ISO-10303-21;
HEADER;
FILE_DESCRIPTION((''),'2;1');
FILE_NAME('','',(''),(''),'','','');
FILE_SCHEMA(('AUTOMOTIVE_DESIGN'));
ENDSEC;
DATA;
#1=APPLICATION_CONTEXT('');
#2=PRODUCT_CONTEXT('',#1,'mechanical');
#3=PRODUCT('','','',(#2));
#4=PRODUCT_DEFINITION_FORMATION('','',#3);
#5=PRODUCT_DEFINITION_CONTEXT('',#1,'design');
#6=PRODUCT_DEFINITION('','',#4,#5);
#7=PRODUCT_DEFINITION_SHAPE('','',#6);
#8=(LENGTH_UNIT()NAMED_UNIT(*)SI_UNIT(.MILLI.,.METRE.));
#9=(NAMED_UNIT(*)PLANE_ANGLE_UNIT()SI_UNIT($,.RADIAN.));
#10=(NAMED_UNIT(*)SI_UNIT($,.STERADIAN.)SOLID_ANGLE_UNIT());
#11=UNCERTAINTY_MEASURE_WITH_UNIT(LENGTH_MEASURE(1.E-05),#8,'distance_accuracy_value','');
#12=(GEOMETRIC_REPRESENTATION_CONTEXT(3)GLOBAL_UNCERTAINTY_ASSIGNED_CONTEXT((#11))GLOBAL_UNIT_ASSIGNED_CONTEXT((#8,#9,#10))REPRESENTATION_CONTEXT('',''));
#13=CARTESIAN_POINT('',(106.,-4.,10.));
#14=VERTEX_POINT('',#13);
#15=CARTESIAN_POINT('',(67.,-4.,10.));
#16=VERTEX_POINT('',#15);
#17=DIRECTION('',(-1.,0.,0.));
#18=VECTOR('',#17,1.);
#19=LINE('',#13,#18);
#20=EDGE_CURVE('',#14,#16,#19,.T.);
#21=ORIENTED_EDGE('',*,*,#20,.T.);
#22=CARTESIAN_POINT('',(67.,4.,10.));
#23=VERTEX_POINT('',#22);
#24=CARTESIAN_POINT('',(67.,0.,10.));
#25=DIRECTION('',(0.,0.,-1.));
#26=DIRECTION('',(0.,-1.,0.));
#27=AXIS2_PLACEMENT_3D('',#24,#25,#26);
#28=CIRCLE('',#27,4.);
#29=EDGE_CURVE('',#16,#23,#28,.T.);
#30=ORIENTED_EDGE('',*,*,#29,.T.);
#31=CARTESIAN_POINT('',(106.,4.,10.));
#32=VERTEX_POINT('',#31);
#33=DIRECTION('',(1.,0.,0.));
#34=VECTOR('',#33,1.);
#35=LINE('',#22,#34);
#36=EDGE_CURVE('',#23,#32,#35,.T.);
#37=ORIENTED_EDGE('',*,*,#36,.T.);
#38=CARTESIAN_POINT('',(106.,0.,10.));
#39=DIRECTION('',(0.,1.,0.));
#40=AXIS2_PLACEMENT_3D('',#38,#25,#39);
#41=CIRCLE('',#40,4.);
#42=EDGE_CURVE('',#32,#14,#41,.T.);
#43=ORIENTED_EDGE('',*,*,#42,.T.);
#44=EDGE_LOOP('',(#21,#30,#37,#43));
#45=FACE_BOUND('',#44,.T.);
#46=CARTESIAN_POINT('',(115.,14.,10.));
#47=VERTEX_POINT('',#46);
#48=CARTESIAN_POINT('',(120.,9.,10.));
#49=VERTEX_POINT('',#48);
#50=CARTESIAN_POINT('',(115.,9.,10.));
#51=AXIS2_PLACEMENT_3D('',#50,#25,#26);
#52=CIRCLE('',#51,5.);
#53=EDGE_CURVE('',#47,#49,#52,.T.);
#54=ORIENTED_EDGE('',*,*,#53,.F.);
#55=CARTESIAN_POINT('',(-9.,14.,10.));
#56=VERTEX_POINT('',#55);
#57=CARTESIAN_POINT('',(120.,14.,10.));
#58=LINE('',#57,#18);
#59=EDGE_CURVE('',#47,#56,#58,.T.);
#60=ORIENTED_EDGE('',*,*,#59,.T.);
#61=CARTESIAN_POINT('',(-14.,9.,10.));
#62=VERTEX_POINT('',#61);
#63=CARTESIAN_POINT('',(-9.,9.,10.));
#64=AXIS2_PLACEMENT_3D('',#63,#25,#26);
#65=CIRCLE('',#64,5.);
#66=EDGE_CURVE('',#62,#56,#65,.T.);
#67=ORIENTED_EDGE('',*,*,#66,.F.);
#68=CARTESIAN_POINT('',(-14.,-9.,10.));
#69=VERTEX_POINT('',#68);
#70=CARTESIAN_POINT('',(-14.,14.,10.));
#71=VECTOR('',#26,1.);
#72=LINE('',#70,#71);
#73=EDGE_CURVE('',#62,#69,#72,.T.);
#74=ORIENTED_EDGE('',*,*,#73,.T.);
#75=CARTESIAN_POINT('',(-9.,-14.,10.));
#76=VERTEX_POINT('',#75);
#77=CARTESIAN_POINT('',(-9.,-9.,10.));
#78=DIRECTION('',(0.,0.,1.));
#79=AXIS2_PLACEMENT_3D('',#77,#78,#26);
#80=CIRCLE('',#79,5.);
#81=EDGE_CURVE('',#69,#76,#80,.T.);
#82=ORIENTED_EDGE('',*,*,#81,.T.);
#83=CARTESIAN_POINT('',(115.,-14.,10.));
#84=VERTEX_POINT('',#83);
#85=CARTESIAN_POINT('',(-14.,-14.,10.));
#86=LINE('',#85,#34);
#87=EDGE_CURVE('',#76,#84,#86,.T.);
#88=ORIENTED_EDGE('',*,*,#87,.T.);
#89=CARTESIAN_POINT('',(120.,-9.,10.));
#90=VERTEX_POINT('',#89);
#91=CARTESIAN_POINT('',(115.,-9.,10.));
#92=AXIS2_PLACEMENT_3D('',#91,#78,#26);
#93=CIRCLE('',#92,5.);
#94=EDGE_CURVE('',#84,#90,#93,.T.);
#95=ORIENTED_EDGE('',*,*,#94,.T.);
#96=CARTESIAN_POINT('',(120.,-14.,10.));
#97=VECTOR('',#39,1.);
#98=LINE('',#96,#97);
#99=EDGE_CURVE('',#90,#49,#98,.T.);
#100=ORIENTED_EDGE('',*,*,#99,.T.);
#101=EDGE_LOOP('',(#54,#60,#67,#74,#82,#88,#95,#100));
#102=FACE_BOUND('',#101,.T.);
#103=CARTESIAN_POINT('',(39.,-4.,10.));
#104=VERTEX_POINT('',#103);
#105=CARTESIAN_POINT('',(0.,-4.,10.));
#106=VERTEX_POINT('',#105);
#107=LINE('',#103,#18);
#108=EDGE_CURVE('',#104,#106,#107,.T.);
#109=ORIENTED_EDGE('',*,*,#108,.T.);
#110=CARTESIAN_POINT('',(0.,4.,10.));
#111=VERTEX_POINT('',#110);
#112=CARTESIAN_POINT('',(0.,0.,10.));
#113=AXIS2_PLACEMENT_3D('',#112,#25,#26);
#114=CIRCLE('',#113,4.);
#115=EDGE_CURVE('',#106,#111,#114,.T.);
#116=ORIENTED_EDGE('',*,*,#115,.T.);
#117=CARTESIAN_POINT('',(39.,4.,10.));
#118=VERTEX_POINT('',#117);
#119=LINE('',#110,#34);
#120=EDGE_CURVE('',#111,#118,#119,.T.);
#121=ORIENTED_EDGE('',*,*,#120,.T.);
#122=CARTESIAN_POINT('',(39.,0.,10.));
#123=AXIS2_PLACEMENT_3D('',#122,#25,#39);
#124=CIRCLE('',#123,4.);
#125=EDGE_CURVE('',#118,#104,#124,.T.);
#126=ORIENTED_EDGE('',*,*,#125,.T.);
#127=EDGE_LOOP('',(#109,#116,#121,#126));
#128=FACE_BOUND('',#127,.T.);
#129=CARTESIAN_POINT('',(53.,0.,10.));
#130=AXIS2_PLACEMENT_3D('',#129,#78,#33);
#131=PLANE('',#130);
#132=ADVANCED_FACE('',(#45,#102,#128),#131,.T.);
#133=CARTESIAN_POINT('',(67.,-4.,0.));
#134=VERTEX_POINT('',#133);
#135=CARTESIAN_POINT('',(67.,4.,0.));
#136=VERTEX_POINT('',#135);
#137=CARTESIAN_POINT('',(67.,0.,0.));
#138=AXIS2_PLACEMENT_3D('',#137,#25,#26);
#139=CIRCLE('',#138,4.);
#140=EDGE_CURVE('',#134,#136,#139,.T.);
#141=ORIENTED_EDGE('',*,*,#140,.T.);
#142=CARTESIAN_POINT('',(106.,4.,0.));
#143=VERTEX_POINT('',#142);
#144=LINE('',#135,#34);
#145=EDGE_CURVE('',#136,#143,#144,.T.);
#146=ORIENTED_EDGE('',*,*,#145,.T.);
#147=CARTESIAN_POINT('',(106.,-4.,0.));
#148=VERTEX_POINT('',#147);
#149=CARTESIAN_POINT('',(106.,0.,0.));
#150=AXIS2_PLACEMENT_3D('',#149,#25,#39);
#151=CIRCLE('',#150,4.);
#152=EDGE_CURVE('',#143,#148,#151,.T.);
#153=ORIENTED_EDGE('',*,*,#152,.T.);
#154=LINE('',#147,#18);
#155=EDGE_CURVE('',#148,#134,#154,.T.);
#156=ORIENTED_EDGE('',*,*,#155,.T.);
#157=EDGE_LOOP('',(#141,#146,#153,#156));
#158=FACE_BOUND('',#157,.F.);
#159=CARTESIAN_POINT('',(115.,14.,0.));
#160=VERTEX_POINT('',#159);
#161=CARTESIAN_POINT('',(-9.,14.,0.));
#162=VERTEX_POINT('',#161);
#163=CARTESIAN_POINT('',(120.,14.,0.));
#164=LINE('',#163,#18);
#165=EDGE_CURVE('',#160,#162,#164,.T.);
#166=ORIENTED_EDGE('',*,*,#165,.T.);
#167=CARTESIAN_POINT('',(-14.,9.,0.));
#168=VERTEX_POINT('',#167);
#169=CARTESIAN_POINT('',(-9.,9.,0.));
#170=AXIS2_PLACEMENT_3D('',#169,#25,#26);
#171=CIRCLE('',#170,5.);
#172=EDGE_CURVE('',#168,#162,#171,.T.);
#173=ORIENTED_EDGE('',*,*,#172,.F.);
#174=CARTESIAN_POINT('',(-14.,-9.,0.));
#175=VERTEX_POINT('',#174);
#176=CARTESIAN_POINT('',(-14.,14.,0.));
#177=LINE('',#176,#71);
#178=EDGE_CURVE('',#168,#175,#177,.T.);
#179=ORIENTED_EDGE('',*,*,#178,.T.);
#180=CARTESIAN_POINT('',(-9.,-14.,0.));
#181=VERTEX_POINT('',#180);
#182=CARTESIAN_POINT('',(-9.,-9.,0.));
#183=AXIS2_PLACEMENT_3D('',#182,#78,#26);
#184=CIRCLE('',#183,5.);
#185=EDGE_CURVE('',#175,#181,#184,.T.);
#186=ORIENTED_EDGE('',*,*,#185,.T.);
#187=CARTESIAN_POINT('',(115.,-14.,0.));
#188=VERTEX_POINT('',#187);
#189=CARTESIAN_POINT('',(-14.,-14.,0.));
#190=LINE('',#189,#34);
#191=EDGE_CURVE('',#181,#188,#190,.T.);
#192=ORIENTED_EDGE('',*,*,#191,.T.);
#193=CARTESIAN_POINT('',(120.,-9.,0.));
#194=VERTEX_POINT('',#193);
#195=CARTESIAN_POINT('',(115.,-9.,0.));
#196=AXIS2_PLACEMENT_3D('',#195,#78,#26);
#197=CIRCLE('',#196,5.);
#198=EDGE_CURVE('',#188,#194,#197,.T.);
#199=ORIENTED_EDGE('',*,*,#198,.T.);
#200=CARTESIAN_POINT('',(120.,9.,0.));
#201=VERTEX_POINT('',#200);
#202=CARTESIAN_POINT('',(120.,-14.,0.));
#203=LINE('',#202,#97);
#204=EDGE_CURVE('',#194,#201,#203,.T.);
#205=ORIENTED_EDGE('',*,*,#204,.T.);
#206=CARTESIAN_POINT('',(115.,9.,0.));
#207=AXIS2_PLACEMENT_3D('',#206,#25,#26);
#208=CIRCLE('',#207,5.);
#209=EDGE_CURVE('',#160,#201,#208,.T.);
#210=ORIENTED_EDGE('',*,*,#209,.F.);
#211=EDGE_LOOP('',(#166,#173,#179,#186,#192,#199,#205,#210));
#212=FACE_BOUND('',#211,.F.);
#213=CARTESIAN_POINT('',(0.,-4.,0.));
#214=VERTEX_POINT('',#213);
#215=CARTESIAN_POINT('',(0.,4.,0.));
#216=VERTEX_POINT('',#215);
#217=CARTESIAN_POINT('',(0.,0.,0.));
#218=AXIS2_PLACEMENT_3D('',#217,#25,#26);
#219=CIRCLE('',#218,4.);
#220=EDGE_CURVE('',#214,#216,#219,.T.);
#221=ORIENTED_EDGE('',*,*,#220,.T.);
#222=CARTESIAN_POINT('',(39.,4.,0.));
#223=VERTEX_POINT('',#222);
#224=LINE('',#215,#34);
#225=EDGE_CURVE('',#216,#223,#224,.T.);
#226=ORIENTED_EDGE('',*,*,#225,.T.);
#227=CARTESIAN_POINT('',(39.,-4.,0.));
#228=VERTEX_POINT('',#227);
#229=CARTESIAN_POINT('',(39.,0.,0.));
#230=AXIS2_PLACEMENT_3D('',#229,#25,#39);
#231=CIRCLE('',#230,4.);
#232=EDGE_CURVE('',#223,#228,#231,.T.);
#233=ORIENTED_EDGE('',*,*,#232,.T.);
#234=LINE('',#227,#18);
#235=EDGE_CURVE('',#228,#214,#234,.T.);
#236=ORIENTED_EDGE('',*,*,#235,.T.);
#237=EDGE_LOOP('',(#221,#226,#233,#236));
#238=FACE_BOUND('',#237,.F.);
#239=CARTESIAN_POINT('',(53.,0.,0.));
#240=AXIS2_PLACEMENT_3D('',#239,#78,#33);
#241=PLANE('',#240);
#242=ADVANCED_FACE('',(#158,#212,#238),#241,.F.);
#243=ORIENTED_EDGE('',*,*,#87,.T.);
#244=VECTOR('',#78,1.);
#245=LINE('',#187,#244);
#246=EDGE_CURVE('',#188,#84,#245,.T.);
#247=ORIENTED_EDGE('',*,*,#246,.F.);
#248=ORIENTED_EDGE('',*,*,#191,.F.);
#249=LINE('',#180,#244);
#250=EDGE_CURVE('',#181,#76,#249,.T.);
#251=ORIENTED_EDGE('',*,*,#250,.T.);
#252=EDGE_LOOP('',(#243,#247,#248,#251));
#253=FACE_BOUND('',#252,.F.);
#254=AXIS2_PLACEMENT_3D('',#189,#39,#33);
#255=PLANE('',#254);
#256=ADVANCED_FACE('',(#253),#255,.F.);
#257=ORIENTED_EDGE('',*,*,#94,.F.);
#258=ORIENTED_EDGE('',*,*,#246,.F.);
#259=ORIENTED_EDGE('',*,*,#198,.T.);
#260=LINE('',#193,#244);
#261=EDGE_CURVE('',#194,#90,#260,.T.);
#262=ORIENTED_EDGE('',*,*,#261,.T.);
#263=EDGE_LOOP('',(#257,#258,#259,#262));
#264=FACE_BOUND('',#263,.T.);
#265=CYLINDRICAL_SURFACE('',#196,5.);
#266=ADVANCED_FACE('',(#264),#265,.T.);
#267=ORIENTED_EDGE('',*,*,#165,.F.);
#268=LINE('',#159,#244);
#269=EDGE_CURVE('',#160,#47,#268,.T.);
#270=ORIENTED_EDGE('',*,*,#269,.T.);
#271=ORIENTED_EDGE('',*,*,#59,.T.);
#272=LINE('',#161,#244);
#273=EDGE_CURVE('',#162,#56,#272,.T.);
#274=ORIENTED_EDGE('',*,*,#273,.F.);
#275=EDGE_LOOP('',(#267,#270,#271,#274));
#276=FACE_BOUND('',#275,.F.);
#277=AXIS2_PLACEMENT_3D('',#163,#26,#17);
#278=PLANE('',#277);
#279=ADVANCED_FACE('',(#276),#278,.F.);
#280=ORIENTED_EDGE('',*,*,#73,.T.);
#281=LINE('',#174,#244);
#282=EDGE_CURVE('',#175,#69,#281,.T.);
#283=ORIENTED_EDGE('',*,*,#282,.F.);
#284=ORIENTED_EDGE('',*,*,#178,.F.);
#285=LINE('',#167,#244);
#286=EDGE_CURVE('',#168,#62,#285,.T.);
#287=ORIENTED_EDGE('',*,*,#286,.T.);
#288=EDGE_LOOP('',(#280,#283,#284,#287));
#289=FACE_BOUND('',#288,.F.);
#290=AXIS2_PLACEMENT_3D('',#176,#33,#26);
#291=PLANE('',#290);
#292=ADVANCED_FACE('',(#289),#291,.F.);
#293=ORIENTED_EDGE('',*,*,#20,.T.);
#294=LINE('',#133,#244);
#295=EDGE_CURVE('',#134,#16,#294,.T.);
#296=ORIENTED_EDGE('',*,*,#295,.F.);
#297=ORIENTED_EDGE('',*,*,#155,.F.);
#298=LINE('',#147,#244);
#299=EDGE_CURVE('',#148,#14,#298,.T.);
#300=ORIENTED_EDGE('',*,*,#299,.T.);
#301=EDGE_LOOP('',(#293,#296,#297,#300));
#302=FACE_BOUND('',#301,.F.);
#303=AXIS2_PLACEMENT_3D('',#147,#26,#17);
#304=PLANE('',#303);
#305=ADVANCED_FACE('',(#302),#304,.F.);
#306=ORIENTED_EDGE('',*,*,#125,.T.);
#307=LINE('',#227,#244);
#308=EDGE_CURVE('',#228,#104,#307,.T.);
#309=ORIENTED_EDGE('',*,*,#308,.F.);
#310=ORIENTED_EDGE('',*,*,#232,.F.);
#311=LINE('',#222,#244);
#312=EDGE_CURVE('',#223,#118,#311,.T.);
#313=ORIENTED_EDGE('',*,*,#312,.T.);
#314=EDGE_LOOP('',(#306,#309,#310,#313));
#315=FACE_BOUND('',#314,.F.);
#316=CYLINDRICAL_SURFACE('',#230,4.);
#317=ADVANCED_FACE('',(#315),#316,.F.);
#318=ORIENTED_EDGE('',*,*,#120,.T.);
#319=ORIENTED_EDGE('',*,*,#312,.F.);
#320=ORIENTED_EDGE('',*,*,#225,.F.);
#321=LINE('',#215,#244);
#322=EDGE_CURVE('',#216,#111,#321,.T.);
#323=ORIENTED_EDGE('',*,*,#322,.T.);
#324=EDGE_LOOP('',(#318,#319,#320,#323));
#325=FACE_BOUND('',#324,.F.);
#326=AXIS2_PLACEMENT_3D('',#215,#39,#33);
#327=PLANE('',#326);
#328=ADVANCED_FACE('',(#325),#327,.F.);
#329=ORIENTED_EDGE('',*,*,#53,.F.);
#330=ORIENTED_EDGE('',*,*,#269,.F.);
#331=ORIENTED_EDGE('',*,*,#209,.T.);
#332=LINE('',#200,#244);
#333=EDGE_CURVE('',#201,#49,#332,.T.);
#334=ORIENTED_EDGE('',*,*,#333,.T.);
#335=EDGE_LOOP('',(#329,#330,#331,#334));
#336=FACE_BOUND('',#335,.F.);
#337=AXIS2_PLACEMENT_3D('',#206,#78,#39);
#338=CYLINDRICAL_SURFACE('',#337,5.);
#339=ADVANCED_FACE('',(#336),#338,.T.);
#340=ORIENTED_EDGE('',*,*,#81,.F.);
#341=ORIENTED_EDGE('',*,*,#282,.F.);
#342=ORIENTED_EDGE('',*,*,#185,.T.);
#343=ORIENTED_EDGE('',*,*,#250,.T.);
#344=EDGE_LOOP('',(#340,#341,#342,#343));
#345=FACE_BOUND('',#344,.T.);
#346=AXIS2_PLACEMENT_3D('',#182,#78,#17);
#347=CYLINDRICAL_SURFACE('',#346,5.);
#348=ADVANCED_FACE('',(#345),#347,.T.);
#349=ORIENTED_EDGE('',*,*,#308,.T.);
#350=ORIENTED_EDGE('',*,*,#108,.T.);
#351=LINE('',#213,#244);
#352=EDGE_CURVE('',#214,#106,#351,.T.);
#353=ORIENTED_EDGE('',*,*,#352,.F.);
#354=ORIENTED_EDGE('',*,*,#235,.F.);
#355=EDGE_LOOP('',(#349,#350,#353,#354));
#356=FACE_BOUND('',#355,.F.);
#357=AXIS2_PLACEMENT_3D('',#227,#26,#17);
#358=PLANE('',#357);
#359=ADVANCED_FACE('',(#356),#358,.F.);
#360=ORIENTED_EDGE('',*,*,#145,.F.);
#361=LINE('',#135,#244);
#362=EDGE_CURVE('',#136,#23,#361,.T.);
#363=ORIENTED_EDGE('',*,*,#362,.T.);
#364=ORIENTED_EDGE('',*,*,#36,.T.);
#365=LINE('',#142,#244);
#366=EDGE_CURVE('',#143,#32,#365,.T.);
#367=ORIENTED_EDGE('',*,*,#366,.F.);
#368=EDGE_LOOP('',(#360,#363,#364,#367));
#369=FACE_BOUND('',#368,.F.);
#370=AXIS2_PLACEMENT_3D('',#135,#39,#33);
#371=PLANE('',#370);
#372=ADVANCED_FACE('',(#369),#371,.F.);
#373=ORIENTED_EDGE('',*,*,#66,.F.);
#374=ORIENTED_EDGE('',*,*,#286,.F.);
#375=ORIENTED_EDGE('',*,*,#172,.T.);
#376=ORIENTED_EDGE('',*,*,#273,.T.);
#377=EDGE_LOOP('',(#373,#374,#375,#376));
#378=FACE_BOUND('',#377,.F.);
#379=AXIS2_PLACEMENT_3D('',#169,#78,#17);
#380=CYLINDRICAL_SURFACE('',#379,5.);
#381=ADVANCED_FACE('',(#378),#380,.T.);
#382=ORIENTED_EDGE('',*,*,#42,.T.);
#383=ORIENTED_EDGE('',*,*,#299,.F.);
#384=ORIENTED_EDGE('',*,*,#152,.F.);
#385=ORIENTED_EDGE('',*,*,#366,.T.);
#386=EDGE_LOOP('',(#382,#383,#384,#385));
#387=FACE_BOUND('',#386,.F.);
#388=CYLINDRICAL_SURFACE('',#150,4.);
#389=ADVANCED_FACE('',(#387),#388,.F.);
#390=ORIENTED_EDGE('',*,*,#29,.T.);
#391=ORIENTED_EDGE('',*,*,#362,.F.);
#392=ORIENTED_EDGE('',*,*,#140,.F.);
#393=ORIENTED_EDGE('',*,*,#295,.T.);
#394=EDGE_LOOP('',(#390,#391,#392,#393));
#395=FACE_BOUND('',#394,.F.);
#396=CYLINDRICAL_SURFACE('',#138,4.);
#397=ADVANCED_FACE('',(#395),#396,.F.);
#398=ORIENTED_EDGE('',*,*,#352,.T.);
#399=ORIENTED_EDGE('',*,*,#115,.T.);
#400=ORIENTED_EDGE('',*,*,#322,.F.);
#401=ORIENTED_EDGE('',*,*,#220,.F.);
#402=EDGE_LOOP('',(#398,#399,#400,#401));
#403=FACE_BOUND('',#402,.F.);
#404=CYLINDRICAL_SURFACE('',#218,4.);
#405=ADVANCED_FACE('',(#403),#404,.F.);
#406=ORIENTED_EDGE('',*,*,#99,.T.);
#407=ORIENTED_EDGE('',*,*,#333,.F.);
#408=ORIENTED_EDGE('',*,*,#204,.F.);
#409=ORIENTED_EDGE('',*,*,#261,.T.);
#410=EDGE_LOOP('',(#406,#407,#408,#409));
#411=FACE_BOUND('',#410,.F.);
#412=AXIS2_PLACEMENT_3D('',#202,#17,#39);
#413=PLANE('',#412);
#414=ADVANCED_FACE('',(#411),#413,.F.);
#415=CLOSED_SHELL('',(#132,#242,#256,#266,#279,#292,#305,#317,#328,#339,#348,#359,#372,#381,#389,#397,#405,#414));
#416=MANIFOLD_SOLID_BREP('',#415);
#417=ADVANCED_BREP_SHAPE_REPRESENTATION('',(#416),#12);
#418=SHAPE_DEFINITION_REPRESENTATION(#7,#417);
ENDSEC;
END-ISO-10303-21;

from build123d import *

# Parameters (mm, degrees)
F1_DEPTH = 10
F2_R     = 5


with BuildPart() as f1:
    # F0 (on Top) → F1 (new body)
    with BuildSketch(Plane.XY):
        Polygon((53, 14), (-14, 14), (-14, -14), (53, -14), (120, -14), (120, 14), align=None)
        with BuildLine():
            ThreePointArc((0, -4), (-4, 0), (0, 4))
            Line((0, 4), (39, 4))
            ThreePointArc((39, 4), (43, 0), (39, -4))
            Line((39, -4), (0, -4))
        make_face(mode=Mode.SUBTRACT)
        with BuildLine():
            Line((67, 4), (106, 4))
            ThreePointArc((106, 4), (110, 0), (106, -4))
            Line((106, -4), (67, -4))
            ThreePointArc((67, -4), (63, 0), (67, 4))
        make_face(mode=Mode.SUBTRACT)
    extrude(amount=F1_DEPTH)

    # F2
    f2_edges = [f1.edges().sort_by_distance(p)[0] for p in [
        (-14, 14, 5),
        (-14, -14, 5),
        (120, -14, 5),
        (120, 14, 5),
    ]]
    fillet(f2_edges, radius=F2_R)


solid = f1.part
